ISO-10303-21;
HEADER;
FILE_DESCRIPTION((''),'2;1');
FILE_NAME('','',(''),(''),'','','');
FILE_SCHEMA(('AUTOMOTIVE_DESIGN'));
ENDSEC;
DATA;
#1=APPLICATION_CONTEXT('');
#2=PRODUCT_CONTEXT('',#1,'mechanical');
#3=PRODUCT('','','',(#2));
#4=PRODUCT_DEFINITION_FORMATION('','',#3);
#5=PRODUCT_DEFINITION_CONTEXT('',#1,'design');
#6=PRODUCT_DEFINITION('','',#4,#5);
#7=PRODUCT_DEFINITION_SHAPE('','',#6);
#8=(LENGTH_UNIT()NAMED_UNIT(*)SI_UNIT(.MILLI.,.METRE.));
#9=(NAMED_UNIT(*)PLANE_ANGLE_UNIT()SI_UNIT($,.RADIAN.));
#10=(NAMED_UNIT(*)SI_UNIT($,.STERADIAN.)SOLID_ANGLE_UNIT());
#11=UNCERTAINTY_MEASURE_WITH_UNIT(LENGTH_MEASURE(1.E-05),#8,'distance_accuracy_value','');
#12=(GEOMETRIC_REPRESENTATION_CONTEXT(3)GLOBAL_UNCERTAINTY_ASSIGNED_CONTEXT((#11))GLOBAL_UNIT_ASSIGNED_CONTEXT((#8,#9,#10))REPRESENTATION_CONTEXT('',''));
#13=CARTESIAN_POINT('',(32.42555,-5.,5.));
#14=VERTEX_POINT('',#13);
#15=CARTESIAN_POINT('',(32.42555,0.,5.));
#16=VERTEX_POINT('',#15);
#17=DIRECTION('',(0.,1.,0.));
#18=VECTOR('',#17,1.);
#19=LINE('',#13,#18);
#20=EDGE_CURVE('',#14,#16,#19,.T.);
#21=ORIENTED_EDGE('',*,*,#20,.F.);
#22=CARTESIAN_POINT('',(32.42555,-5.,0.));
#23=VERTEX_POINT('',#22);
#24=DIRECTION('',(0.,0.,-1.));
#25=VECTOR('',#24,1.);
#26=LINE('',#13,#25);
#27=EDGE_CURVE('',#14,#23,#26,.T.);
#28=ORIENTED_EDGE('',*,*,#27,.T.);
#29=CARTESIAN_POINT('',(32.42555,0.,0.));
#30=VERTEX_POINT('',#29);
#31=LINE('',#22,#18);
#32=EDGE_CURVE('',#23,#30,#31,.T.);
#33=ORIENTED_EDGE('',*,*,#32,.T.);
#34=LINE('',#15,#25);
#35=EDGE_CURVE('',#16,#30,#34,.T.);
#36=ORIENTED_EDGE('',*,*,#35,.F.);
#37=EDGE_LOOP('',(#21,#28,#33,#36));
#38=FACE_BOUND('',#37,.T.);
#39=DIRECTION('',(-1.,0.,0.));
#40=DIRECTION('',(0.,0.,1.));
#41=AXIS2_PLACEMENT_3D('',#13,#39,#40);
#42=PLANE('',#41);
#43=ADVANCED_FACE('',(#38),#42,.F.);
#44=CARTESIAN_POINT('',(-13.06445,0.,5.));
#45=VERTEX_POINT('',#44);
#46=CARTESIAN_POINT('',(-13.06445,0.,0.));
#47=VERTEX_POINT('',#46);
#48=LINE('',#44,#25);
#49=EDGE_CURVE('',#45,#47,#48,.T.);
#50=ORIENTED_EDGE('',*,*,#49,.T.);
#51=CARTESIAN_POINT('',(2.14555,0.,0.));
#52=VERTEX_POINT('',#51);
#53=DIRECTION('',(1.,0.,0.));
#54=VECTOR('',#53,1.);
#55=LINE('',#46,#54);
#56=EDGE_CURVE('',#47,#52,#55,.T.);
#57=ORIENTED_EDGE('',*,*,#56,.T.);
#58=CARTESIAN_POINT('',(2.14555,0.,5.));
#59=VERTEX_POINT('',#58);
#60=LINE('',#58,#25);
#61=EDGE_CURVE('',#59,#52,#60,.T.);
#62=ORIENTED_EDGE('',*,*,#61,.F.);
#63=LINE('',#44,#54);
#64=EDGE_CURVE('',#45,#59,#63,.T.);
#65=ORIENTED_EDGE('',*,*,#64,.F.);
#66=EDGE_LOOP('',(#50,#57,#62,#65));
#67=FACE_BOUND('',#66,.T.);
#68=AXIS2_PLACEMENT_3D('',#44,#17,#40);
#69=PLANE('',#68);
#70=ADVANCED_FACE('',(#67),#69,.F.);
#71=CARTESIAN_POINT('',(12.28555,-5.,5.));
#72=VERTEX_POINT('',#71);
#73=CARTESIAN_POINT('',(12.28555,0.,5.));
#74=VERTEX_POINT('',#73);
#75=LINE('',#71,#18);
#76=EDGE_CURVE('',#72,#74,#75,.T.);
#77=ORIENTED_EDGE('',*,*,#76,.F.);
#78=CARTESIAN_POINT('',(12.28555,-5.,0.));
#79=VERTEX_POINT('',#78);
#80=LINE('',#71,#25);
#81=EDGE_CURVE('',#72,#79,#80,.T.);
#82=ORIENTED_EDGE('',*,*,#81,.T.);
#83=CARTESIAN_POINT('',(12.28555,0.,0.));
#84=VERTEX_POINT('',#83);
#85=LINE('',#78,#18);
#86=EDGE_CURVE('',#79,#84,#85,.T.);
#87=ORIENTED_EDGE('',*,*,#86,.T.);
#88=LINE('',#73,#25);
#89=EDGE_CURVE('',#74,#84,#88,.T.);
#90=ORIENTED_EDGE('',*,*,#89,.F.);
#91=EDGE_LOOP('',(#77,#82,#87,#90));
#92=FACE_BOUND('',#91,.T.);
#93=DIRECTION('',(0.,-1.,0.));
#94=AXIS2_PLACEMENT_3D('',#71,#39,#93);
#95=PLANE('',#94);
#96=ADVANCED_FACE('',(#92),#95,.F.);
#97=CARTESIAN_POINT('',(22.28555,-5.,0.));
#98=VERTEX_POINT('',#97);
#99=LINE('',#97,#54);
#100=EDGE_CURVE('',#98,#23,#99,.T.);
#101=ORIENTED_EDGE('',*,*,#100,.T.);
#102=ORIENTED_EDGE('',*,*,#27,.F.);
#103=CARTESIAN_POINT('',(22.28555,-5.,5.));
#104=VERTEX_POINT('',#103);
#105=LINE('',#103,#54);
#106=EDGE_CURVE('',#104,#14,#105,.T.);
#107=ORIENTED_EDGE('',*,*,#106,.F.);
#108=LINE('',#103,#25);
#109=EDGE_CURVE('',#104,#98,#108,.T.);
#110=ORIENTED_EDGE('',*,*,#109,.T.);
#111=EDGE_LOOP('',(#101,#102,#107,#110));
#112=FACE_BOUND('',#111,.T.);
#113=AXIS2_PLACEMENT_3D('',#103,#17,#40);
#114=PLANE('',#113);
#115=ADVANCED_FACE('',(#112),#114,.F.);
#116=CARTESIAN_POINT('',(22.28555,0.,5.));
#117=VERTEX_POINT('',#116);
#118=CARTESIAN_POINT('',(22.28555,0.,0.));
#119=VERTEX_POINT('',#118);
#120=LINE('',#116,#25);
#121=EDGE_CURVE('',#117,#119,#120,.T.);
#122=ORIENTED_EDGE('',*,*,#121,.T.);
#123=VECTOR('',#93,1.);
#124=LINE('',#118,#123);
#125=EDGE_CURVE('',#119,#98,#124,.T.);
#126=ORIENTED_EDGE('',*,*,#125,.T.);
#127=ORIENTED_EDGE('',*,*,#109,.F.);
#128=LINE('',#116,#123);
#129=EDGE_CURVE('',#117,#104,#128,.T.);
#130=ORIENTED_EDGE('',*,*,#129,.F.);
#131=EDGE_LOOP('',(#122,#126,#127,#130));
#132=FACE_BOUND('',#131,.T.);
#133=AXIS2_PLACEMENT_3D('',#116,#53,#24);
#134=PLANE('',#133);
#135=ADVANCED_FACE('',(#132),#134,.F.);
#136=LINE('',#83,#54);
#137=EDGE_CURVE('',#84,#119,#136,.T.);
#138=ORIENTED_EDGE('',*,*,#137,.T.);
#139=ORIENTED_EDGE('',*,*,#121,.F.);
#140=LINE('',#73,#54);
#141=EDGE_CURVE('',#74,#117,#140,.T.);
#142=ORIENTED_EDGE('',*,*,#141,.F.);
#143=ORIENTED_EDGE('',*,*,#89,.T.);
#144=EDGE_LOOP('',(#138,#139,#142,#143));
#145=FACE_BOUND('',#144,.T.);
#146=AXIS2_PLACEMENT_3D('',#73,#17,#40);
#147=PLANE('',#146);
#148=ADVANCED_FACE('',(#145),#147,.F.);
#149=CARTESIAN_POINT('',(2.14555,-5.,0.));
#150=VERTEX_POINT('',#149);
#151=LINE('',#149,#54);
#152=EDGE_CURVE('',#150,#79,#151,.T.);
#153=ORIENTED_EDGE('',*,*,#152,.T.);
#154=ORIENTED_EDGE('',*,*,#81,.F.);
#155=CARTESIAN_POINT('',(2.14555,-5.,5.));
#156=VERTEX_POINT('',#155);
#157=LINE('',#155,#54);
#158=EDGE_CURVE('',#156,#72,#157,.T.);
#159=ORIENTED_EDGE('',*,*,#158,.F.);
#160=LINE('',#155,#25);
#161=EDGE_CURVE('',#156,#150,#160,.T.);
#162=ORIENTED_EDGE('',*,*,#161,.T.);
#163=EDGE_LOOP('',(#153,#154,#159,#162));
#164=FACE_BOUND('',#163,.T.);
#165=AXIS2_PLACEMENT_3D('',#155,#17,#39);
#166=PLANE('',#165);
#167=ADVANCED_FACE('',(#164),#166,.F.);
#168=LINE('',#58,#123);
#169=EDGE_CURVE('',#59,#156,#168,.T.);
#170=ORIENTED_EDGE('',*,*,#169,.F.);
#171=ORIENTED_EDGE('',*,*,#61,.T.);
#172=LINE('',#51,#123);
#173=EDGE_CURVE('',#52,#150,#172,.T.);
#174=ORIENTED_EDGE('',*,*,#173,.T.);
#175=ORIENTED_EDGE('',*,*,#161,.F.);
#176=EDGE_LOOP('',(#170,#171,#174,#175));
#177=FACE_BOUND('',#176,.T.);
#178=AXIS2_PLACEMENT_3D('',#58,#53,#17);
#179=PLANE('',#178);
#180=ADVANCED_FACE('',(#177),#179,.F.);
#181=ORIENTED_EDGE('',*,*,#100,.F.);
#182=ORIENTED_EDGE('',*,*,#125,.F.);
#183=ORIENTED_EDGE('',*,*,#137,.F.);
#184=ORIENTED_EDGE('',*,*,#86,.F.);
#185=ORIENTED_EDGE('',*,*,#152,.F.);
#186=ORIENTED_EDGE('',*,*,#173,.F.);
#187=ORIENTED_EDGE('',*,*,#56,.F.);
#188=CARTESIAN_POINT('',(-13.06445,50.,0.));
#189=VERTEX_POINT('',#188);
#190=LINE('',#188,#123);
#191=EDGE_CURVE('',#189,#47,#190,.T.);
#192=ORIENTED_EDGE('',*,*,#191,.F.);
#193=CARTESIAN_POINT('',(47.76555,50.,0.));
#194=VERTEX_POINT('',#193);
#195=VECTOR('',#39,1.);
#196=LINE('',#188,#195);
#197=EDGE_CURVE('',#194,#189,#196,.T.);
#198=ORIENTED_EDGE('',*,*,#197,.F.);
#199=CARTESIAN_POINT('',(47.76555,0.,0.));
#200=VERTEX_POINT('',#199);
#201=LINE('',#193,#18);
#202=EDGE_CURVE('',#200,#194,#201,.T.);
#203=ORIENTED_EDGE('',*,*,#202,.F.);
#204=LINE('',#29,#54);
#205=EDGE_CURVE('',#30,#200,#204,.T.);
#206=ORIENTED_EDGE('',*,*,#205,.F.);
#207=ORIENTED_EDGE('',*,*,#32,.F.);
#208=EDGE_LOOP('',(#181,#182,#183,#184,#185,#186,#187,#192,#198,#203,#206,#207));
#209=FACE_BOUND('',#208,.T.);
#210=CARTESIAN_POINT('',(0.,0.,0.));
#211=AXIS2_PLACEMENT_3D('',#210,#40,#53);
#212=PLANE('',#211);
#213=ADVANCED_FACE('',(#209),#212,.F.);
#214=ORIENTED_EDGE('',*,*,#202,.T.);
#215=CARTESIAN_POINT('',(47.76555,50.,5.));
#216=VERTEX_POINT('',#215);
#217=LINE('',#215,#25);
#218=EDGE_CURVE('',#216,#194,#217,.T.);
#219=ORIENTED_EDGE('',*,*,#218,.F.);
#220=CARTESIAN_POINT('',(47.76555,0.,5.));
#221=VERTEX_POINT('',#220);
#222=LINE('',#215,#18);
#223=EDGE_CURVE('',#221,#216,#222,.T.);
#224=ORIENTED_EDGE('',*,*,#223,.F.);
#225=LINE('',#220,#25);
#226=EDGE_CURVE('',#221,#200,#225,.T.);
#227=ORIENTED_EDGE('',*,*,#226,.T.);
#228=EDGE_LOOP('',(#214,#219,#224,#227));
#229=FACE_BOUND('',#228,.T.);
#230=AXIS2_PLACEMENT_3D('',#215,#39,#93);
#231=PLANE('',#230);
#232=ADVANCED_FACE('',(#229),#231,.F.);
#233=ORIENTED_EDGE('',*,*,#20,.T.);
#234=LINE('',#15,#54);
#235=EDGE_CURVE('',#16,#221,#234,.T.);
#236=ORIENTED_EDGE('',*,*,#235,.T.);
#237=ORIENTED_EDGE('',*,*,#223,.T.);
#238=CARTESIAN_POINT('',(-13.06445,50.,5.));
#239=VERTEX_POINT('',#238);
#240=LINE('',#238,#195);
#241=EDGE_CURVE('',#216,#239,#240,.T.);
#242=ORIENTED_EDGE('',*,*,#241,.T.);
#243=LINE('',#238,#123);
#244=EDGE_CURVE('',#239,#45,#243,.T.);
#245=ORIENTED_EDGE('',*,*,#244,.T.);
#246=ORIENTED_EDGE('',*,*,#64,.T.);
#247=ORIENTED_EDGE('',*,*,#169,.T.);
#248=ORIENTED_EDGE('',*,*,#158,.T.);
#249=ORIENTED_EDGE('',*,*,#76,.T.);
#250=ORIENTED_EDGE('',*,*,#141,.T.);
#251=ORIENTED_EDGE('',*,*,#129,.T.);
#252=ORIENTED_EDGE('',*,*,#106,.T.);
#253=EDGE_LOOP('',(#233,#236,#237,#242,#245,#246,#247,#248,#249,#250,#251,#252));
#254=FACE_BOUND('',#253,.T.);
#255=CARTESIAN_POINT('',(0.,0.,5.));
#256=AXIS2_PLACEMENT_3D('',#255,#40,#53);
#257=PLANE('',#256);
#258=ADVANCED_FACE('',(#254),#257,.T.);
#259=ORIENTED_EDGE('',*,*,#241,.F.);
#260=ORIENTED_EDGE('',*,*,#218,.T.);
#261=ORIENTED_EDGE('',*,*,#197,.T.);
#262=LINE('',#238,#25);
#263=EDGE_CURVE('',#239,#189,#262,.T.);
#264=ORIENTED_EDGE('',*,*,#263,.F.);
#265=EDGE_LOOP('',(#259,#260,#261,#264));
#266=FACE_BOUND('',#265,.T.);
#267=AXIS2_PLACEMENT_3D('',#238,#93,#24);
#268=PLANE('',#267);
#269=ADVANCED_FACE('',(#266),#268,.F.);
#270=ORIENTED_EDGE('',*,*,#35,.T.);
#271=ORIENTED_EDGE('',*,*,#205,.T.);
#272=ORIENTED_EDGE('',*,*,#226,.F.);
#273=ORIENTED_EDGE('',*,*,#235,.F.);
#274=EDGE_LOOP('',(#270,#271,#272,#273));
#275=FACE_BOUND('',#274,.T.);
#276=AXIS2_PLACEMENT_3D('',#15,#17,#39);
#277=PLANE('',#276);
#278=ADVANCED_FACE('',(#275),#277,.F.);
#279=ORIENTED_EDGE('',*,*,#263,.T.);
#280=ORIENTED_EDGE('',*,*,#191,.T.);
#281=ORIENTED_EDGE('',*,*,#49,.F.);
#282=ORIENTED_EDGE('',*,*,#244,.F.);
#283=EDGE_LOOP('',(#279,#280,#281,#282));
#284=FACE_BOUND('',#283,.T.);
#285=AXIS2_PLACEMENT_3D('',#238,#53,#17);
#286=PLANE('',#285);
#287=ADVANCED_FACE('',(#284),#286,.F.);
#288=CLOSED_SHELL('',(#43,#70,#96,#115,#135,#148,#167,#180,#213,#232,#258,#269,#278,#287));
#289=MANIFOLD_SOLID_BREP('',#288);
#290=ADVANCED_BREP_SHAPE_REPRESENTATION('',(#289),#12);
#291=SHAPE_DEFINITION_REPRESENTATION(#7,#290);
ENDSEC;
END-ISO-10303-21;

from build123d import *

# Parameters (mm, degrees)
BOSS_EXTRU_1_DEPTH = 5


with BuildPart() as part:
    # Esquisse1 → Boss.-Extru.1 (new body)
    with BuildSketch(Plane.XY):
        Polygon((-13.06444963, 0), (2.14555037, 0), (2.14555037, -5), (12.28555037, -5), (12.28555037, 0), (22.28555037, 0), (22.28555037, -5), (32.42555037, -5), (32.42555037, 0), (47.76555037, 0), (47.76555037, 50), (-13.06444963, 50), align=None)
    extrude(amount=BOSS_EXTRU_1_DEPTH)


solid = part.part
